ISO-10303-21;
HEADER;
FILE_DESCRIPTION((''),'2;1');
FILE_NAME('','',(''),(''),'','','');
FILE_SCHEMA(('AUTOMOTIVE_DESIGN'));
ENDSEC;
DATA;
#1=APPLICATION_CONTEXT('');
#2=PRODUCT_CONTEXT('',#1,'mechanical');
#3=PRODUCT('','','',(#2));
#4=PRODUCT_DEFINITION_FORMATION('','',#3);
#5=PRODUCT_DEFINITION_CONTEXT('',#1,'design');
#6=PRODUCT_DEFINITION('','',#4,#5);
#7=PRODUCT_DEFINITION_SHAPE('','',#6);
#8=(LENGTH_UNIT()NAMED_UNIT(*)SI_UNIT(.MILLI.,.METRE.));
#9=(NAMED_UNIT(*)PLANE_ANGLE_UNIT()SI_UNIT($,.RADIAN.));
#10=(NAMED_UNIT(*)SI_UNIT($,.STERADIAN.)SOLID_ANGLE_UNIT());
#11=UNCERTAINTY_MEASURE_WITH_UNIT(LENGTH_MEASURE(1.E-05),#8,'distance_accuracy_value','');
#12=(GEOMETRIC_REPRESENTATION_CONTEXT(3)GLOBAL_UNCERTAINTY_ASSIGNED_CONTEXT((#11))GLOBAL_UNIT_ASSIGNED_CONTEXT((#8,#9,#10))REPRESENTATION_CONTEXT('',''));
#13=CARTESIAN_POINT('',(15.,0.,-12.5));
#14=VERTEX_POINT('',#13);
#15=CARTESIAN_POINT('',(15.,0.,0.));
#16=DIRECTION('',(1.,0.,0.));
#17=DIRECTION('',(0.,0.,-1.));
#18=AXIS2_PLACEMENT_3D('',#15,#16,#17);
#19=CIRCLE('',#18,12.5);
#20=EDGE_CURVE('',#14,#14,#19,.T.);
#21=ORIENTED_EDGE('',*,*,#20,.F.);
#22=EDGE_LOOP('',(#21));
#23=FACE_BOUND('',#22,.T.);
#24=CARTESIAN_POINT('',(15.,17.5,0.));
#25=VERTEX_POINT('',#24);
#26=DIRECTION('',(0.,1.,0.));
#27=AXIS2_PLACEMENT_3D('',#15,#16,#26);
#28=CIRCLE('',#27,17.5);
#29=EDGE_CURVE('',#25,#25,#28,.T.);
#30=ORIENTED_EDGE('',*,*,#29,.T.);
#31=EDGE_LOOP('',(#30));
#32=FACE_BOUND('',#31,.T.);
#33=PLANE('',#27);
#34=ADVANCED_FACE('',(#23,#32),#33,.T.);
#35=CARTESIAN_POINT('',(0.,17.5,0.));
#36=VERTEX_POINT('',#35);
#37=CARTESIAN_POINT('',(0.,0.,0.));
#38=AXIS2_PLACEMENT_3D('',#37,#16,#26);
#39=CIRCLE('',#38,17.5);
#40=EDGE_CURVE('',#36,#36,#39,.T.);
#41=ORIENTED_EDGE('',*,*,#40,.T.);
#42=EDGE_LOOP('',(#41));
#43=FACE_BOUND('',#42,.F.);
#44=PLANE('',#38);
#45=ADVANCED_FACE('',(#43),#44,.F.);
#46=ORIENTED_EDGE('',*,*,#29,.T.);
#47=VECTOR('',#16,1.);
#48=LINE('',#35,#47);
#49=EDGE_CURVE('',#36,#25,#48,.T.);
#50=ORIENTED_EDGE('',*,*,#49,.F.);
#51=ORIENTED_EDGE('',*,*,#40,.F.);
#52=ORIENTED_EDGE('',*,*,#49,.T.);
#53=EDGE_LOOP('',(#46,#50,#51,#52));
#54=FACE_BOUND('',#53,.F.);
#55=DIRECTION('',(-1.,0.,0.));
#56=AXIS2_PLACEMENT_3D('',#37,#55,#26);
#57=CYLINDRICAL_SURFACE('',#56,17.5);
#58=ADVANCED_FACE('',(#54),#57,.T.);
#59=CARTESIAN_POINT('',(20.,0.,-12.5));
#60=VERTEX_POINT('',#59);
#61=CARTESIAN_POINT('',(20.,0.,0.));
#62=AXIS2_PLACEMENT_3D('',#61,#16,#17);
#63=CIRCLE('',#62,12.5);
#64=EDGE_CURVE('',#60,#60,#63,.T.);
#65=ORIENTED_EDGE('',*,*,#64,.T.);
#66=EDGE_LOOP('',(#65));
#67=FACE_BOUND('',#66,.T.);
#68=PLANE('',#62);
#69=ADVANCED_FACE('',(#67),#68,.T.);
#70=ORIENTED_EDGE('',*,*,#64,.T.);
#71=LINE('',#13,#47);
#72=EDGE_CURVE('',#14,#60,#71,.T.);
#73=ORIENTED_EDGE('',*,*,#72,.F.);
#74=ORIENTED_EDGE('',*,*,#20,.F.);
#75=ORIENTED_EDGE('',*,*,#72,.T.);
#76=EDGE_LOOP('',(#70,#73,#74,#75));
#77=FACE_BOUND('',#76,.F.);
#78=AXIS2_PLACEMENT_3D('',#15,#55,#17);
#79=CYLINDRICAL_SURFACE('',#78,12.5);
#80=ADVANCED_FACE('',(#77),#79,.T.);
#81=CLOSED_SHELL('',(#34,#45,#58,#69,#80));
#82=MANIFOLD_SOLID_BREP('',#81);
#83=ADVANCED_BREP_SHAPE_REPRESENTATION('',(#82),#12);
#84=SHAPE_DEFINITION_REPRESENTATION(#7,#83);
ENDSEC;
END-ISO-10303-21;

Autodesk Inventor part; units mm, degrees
ref_plane "YZ Plane" through (0, 0, 0) normal (1, 0, 0) x (0, 1, 0)
ref_plane "XZ Plane" through (0, 0, 0) normal (0, 1, 0) x (-1, 0, 0)
ref_plane "XY Plane" through (0, 0, 0) normal (0, 0, 1) x (1, 0, 0)
sketch "Sketch1" plane through (0, 0, 0) normal (1, 0, 0) x (0, 1, 0)
  circle A0 centre (0, 0) radius 17.5
  dimension "d0" = 35
extrude "Extrusion1" add sketch "Sketch1" along normal blind 15
sketch "Sketch2" plane through (15, 0, 0) normal (1, 0, 0) x (0, 0, -1)
  circle A0 centre (0, 0) radius 12.5
  circle A1 centre (0, 0) radius 17.5 projected
  line L0 (8.7936, 15.1302) -> (11.8916, 25.206)
  line L1 (11.8916, 25.206) -> (28.1196, 25.206)
  line L2 (-9.2892, 14.8311) -> (-12.729, 25.3334)
  line L3 (-12.729, 25.3334) -> (-30.4043, 25.3334)
  circle A2 centre (0, 0) radius 17.5 projected
  line L4 (-8.5003, -15.2969) -> (-11.9074, -26.8519)
  line L5 (-11.9074, -26.8519) -> (-29.1026, -26.8519)
  line L6 (7.0341, -16.0241) -> (7.2444, -27.3629)
  line L7 (7.2444, -27.3629) -> (28.9362, -28.167)
  dimension "d3" = 25
extrude "Extrusion2" add sketch "Sketch2" along normal blind 5 contours A0
sketch "Sketch3" plane through (0, 0, 0) normal (0, 1, 0) x (-1, 0, 0)
  point P0 (0, 0)
sketch "Sketch4" plane through (0, 0, 0) normal (0, 0, 1) x (1, 0, 0)
  point P0 (0, 0)
sketch "Sketch5" plane through (15, 0, 0) normal (1, 0, 0) x (0, 0, -1)
  circle A0 centre (0, 0) radius 17.5 projected
  line L0 (0, 17.5) -> (0, 26.5)
  line L1 (-3.3866, 24.2044) -> (-3.3866, 17.1692)
  line L2 (-3.3866, 24.2044) -> (-3.3866, 17.1692)
  line L3 (3.3866, 24.2044) -> (3.3866, 17.1692)
  line L4 (-3.3866, 24.2044) -> (-6.1756, 27.2922)
  line L5 (3.3866, 24.2044) -> (5.6776, 27.2922)
  dimension "d6" = 9
sketch "Sketch6" plane through (15, 0, 0) normal (1, 0, 0) x (0, 0, -1)
  circle A0 centre (0, 0) radius 17.5 projected
  line L0 (0, -17.5) -> (0, -26.5)
  line L1 (4.2832, -25.0802) -> (4.2832, -16.97)
  line L2 (4.2832, -25.0802) -> (5.9397, -26.5)
  line L3 (-4.2832, -25.0802) -> (-4.2832, -16.97)
  line L4 (-4.2832, -25.0802) -> (-5.9397, -26.5)
  dimension "d7" = 9
sketch "Sketch7" plane through (0, 0, 0) normal (1, 0, 0) x (0, 1, 0)
  point P0 (0, 0)
properties part number "smoke" material "Acetal Resin, White"
